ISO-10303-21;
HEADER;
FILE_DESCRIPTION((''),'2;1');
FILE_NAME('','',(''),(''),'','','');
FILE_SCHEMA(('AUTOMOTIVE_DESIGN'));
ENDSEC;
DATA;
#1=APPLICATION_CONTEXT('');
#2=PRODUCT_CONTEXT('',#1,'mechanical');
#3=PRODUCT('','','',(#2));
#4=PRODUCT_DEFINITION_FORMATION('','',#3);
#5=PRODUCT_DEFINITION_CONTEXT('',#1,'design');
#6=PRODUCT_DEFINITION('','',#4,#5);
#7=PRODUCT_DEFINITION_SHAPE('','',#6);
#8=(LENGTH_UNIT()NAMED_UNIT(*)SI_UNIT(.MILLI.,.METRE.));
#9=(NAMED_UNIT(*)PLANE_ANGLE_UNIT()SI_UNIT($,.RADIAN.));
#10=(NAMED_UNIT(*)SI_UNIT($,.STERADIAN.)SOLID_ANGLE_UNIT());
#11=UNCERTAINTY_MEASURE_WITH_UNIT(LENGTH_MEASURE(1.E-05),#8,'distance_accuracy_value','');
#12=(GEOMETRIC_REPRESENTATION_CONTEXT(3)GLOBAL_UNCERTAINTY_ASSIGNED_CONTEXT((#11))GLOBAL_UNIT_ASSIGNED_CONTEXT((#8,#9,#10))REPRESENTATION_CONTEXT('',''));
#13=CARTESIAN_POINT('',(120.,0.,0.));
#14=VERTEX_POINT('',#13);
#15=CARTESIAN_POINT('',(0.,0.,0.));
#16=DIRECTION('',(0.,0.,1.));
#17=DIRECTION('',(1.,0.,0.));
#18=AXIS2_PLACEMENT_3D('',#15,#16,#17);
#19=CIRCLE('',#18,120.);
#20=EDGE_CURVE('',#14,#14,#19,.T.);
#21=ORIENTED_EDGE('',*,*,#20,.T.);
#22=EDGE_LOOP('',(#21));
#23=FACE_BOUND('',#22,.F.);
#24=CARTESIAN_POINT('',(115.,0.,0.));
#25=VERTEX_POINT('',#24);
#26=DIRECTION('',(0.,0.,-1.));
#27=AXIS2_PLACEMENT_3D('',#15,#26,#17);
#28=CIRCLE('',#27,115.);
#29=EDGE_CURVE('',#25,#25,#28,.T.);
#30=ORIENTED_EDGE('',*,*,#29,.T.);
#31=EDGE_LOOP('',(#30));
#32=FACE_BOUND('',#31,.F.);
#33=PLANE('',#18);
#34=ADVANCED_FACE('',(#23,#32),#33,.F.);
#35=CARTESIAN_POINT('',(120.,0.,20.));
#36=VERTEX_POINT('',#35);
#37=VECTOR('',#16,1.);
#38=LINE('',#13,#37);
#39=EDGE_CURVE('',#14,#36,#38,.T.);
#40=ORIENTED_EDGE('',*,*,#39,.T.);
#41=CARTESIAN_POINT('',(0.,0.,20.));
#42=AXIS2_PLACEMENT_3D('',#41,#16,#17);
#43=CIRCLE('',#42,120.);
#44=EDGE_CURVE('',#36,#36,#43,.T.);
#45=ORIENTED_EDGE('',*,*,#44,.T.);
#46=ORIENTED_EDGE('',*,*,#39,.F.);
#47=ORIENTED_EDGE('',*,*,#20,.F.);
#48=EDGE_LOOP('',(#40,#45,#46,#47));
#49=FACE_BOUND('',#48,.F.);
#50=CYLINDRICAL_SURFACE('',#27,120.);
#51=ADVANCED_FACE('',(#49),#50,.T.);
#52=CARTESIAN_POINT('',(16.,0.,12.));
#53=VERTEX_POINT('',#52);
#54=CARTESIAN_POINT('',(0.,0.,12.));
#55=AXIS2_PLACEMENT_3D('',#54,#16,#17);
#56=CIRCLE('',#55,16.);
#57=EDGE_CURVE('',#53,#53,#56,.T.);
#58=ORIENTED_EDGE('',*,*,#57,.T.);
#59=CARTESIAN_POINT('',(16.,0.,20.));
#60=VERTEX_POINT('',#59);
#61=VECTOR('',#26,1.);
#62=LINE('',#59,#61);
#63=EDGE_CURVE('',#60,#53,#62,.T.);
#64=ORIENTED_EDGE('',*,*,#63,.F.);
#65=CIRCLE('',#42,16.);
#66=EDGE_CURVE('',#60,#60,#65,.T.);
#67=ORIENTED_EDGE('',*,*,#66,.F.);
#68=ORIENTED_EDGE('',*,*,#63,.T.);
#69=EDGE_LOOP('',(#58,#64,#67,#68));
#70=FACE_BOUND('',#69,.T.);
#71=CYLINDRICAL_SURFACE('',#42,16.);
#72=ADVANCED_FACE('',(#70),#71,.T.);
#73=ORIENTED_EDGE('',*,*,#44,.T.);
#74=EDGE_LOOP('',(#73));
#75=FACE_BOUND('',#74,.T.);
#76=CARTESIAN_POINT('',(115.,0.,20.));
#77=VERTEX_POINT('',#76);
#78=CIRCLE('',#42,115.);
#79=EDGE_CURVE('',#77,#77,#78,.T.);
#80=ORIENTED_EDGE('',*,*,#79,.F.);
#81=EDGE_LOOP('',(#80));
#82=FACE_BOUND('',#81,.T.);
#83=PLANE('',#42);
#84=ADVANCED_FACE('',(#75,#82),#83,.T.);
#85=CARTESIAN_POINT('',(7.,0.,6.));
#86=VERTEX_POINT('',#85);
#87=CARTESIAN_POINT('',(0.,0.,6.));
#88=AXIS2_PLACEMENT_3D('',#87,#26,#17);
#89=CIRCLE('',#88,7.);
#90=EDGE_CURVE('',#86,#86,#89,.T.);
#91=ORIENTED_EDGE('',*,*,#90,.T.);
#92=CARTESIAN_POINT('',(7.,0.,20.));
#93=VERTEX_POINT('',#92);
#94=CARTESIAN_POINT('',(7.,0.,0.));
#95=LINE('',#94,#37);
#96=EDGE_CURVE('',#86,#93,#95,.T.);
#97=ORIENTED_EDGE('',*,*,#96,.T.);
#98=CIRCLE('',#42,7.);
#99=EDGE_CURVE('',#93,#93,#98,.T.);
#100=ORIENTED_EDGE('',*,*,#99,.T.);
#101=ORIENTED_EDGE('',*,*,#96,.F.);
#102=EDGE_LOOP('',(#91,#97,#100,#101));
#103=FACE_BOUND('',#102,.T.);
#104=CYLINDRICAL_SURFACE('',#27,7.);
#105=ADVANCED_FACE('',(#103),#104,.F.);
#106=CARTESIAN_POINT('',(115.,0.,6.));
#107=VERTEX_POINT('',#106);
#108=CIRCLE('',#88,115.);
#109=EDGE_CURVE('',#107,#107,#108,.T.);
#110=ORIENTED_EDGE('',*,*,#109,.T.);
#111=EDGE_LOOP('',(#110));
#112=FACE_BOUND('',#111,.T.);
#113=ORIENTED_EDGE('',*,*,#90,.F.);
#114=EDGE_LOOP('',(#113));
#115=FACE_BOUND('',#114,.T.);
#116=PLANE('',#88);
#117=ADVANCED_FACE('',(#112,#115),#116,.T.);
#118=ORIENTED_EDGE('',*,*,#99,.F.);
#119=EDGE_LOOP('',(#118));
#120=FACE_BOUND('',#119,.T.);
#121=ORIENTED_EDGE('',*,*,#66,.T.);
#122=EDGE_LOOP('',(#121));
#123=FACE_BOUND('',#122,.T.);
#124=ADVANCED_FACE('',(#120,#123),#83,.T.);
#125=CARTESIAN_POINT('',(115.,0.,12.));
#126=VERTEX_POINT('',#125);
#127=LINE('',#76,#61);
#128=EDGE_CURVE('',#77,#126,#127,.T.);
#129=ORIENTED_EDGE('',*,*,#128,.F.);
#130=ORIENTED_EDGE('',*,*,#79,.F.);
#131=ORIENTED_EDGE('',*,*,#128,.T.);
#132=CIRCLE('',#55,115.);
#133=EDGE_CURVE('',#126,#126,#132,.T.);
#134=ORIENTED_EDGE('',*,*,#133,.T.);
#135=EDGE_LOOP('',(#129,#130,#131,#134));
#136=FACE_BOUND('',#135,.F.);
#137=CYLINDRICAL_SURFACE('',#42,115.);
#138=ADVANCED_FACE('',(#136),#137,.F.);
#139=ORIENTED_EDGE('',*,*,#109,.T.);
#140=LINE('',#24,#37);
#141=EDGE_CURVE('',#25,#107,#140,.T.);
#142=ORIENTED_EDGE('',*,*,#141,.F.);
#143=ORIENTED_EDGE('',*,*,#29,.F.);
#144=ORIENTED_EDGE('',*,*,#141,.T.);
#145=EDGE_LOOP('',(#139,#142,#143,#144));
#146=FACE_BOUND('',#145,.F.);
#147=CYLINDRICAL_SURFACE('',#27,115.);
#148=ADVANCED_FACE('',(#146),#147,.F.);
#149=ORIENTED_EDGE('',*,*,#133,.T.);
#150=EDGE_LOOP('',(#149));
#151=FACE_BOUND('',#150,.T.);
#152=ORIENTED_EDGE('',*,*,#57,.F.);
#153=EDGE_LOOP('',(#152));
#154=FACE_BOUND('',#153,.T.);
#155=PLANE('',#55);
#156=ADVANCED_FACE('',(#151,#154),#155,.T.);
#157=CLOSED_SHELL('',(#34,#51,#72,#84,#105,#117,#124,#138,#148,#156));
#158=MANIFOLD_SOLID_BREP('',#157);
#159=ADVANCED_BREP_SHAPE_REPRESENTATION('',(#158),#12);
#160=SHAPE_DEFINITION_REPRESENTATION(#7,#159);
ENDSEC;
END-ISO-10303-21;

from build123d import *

# Parameters (mm, degrees)
SKETCH_R        = 120
SKETCH_R_2      = 7
PAD_DEPTH       = 20
SKETCH001_R     = 115
SKETCH001_R_2   = 16
POCKET_DEPTH    = 8
SKETCH002_R     = 115
POCKET001_DEPTH = 6


with BuildPart() as part:
    # Sketch → Pad (new body)
    with BuildSketch(Plane.XY):
        Circle(SKETCH_R)
        Circle(SKETCH_R_2, mode=Mode.SUBTRACT)
    extrude(amount=PAD_DEPTH)

    # Sketch001 (on DatumPlane) → Pocket (cut)
    with BuildSketch(Plane.XY.offset(20)):
        Circle(SKETCH001_R)
        Circle(SKETCH001_R_2, mode=Mode.SUBTRACT)
    extrude(amount=-POCKET_DEPTH, mode=Mode.SUBTRACT)

    # Sketch002 (on DatumPlane) → Pocket001 (cut)
    with BuildSketch(Plane(origin=(0, 0, 0), x_dir=(1, 0, 0), z_dir=(0, 0, -1))):
        Circle(SKETCH002_R)
    extrude(amount=-POCKET001_DEPTH, mode=Mode.SUBTRACT)


solid = part.part
